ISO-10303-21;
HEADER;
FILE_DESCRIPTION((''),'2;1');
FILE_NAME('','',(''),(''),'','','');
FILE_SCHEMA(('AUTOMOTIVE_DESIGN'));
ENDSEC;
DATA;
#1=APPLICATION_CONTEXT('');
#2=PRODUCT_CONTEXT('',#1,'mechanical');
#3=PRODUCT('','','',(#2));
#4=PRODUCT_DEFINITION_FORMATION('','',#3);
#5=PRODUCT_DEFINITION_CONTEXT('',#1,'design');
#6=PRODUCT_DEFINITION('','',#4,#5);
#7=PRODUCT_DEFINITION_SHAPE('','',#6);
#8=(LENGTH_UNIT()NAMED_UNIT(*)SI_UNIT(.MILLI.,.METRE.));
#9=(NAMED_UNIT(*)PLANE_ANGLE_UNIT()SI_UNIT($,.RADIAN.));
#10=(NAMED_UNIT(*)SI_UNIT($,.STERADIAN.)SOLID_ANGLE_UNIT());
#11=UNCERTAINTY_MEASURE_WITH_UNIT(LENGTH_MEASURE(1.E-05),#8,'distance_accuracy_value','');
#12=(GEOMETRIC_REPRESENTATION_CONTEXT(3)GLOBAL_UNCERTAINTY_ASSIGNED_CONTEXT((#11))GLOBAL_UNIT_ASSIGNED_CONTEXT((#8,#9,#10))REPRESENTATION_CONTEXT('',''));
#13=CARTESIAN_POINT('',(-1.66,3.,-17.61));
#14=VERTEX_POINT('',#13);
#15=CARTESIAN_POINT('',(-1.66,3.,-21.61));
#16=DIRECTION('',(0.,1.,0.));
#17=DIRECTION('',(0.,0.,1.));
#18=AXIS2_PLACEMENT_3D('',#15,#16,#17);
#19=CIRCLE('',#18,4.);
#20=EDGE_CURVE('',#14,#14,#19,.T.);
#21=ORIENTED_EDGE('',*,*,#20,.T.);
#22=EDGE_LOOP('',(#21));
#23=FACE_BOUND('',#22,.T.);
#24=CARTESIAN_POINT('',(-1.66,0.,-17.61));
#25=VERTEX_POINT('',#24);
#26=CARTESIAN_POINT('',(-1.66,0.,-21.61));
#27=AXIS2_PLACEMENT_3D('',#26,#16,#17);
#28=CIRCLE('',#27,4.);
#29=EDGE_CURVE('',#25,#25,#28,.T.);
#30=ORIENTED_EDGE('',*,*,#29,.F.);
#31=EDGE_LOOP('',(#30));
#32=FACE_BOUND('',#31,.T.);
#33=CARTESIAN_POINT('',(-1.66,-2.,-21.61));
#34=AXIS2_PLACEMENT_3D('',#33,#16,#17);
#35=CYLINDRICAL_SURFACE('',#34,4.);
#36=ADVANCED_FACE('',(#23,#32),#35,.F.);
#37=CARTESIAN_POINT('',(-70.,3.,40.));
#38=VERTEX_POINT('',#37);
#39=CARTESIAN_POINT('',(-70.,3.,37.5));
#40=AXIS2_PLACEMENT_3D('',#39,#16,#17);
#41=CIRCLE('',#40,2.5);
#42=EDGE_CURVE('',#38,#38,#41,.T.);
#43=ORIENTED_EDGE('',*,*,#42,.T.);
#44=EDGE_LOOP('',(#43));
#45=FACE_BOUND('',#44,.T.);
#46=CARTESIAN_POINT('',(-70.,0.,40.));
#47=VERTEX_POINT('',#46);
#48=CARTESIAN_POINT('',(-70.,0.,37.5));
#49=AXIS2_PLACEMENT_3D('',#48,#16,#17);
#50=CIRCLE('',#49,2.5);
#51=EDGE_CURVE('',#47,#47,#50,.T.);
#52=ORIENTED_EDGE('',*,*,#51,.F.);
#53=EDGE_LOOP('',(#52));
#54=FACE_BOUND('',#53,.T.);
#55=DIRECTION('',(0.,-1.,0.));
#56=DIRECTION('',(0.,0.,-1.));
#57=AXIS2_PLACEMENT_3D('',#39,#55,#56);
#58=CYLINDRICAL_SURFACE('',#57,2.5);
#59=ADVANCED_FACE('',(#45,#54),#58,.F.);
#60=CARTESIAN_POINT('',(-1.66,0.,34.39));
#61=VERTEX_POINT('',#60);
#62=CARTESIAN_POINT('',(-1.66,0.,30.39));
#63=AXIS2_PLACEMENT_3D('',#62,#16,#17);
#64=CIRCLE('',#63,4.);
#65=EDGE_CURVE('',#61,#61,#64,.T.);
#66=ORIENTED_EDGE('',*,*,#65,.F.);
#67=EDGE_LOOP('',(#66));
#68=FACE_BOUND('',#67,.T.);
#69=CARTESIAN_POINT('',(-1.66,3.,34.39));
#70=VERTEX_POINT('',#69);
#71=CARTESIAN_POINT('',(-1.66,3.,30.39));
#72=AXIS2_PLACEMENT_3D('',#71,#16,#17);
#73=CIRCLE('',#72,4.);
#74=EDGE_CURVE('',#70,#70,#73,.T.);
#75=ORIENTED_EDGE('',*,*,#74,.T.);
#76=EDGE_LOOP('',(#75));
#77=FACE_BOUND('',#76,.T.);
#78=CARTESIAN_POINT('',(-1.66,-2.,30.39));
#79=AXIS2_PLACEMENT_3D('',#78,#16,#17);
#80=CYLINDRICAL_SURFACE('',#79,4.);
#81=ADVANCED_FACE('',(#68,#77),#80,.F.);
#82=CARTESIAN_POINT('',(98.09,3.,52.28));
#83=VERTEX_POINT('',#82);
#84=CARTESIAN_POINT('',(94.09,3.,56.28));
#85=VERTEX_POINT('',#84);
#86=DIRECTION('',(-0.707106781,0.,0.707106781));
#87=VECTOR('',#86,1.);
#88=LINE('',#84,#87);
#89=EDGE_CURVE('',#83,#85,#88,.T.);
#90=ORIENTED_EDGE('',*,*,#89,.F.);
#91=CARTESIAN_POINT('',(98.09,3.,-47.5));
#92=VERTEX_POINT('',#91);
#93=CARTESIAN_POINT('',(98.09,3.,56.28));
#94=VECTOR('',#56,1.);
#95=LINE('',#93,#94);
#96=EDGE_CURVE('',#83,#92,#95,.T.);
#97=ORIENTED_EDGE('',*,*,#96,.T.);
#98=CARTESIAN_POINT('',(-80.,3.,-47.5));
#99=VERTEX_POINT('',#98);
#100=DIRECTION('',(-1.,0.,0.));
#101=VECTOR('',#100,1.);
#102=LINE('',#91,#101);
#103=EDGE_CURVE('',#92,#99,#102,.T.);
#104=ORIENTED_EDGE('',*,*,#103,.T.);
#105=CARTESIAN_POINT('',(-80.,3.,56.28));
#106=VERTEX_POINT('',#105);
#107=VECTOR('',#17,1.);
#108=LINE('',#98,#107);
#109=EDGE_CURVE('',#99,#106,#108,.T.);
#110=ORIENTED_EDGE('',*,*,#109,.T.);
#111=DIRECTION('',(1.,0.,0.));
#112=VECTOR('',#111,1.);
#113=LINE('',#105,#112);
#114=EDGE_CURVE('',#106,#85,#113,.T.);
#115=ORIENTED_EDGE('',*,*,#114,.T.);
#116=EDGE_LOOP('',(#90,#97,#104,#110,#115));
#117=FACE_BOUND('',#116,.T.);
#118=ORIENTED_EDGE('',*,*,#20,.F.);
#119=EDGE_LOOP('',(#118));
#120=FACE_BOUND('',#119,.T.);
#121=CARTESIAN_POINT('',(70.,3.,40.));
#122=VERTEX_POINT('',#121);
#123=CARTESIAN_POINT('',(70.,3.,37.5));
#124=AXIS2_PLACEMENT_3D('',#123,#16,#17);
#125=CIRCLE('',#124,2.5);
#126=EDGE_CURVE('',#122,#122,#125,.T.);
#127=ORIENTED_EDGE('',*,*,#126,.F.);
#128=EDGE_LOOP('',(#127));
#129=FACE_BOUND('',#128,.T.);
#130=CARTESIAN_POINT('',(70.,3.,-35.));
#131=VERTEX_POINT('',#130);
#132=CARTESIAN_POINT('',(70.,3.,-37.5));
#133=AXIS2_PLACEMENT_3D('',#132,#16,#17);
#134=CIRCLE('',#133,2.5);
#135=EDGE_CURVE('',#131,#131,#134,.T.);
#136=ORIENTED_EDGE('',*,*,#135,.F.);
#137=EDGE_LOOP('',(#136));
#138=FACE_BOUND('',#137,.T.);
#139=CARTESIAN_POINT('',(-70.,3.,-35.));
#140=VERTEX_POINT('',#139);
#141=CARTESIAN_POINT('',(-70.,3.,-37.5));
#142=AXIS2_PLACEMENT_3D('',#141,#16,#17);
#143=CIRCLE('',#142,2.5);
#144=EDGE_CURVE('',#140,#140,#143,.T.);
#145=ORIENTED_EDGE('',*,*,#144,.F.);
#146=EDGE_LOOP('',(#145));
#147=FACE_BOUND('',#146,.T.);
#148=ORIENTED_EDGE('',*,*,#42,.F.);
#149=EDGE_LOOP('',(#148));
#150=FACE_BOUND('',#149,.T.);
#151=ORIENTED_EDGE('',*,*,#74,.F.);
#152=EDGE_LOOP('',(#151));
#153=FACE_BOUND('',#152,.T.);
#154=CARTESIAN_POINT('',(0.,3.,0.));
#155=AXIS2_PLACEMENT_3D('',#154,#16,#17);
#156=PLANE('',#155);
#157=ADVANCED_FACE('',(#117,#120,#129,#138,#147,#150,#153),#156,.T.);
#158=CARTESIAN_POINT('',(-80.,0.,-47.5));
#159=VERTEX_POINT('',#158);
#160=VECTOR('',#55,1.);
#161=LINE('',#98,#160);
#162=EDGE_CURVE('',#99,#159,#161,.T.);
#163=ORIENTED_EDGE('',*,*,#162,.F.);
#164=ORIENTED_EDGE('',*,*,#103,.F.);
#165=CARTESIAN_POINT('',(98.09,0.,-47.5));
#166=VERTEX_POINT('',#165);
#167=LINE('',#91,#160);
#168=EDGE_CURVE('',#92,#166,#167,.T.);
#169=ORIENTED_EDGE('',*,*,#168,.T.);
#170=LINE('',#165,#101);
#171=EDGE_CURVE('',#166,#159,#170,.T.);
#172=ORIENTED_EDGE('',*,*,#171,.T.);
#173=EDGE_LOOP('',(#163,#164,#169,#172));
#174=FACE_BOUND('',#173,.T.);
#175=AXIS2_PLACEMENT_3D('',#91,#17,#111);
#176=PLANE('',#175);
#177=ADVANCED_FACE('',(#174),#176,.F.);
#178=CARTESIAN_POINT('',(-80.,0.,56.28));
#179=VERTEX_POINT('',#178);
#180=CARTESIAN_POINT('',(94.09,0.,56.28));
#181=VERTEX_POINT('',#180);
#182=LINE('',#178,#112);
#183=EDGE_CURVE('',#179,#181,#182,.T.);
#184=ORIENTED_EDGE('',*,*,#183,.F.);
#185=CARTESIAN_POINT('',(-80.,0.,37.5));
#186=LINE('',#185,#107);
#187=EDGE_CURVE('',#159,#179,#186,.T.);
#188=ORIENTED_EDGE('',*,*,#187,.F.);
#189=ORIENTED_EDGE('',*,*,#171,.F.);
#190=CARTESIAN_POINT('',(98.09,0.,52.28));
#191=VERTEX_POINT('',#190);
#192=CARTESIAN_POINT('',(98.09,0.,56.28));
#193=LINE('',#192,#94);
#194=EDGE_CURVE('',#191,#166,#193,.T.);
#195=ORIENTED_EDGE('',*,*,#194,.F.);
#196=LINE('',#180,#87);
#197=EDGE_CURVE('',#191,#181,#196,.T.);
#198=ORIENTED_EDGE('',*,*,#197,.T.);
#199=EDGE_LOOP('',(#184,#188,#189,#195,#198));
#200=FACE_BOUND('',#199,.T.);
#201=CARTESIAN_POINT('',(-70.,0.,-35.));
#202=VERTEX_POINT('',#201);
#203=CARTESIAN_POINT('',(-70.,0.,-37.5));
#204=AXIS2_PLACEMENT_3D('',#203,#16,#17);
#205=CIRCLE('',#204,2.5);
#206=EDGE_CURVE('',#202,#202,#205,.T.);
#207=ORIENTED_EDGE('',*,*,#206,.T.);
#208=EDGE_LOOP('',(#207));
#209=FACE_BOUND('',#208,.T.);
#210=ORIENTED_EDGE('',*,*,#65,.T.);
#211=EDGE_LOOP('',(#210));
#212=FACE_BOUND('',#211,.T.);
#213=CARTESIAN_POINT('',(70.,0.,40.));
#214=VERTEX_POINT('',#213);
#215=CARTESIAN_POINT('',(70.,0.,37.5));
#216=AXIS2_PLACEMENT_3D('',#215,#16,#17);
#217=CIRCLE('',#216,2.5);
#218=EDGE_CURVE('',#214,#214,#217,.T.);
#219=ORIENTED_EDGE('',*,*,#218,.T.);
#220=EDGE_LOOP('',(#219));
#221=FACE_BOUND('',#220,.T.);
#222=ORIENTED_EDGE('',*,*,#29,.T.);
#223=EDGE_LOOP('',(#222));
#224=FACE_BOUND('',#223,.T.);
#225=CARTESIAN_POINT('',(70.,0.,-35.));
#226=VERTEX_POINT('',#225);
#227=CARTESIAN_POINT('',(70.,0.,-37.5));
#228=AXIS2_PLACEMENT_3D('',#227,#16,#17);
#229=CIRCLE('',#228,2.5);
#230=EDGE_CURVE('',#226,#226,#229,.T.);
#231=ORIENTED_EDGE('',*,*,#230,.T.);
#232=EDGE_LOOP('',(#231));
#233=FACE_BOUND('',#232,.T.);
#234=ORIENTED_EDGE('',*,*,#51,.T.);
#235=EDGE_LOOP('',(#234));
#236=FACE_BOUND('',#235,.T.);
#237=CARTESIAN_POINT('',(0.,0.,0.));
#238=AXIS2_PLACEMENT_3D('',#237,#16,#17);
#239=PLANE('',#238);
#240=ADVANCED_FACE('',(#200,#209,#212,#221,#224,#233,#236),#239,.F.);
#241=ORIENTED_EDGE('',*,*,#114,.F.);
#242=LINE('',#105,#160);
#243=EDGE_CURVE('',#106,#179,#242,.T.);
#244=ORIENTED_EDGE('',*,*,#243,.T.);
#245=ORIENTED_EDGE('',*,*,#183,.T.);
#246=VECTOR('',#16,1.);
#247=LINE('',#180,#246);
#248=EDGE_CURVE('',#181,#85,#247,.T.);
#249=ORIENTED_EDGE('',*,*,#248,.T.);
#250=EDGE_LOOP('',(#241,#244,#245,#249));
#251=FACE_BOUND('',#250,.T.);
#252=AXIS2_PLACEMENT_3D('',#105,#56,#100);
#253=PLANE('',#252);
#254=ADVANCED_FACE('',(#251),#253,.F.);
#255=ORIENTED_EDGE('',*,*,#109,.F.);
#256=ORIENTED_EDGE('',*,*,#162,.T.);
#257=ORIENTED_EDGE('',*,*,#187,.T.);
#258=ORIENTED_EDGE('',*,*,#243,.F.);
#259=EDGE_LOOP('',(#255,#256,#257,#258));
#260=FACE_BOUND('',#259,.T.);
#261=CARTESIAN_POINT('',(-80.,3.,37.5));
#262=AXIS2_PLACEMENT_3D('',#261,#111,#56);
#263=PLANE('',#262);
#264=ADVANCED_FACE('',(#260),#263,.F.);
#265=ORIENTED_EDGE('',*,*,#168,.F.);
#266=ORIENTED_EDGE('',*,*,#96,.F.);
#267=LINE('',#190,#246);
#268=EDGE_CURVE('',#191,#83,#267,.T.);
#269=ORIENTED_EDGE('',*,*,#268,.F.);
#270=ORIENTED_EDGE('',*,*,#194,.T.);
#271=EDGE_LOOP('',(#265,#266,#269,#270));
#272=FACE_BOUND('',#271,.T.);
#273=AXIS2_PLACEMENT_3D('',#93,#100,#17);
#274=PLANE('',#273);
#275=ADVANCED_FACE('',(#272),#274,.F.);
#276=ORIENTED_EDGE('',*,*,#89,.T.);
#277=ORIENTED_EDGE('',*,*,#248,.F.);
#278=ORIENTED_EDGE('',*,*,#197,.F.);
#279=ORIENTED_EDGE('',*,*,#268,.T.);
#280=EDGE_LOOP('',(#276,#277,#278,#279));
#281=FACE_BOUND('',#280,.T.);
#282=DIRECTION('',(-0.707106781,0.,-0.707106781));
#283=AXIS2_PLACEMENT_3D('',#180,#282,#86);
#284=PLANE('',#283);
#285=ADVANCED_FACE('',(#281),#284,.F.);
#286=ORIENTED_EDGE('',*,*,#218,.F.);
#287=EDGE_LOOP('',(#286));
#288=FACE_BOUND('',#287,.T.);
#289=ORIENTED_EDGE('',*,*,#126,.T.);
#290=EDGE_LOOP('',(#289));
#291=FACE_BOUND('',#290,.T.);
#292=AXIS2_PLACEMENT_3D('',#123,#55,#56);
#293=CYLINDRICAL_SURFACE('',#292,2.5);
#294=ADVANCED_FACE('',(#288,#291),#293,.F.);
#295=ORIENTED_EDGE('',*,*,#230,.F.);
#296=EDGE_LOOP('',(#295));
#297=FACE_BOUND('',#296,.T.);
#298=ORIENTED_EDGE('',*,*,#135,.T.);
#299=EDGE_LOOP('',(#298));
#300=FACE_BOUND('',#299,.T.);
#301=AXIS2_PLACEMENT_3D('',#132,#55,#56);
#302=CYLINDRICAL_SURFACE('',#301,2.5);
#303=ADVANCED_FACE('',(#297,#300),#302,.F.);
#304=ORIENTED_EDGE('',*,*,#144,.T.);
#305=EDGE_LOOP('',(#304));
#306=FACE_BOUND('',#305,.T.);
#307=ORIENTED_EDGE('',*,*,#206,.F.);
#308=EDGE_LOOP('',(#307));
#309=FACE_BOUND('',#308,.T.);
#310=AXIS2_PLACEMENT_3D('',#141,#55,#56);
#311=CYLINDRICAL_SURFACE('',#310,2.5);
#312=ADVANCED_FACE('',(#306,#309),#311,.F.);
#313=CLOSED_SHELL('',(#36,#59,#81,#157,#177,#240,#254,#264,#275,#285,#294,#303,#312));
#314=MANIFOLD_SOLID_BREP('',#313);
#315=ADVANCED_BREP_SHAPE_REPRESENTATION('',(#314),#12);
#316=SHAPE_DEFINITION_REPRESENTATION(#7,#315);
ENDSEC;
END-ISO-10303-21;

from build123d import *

# Parameters (mm, degrees)
SKETCH2_R           = 2.5
BOSS_EXTRUDE1_DEPTH = 3
CUT_EXTRUDE1_DEPTH  = 4
SKETCH4_R           = 4
CUT_EXTRUDE2_DEPTH  = 5


with BuildPart() as part:
    # Sketch2 → Boss-Extrude1 (new body)
    with BuildSketch(Plane(origin=(0, 0, 0), x_dir=(1, 0, 0), z_dir=(0, 1, 0))):
        Polygon((-80, -37.5), (-80, -56.28), (98.09, -56.28), (98.09, 47.5), (-80, 47.5), align=None)
        with Locations((-70, -37.5)):
            Circle(SKETCH2_R, mode=Mode.SUBTRACT)
        with Locations((-70, 37.5)):
            Circle(SKETCH2_R, mode=Mode.SUBTRACT)
        with Locations((70, 37.5)):
            Circle(SKETCH2_R, mode=Mode.SUBTRACT)
        with Locations((70, -37.5)):
            Circle(SKETCH2_R, mode=Mode.SUBTRACT)
    extrude(amount=BOSS_EXTRUDE1_DEPTH)

    # Sketch3 → Cut-Extrude1 (cut, through all)
    with BuildSketch(Plane(origin=(0, 3, 0), x_dir=(1, 0, 0), z_dir=(0, 1, 0))):
        Polygon((98.09, -56.28), (94.09, -56.28), (98.09, -52.28), align=None)
    extrude(amount=-CUT_EXTRUDE1_DEPTH, mode=Mode.SUBTRACT)

    # Sketch4 → Cut-Extrude2 (cut)
    with BuildSketch(Plane(origin=(0, 3, 0), x_dir=(1, 0, 0), z_dir=(0, 1, 0))):
        with Locations((-1.66, 21.61)):
            Circle(SKETCH4_R)
        with Locations((-1.66, -30.39)):
            Circle(SKETCH4_R)
    extrude(amount=-CUT_EXTRUDE2_DEPTH, mode=Mode.SUBTRACT)


solid = part.part
